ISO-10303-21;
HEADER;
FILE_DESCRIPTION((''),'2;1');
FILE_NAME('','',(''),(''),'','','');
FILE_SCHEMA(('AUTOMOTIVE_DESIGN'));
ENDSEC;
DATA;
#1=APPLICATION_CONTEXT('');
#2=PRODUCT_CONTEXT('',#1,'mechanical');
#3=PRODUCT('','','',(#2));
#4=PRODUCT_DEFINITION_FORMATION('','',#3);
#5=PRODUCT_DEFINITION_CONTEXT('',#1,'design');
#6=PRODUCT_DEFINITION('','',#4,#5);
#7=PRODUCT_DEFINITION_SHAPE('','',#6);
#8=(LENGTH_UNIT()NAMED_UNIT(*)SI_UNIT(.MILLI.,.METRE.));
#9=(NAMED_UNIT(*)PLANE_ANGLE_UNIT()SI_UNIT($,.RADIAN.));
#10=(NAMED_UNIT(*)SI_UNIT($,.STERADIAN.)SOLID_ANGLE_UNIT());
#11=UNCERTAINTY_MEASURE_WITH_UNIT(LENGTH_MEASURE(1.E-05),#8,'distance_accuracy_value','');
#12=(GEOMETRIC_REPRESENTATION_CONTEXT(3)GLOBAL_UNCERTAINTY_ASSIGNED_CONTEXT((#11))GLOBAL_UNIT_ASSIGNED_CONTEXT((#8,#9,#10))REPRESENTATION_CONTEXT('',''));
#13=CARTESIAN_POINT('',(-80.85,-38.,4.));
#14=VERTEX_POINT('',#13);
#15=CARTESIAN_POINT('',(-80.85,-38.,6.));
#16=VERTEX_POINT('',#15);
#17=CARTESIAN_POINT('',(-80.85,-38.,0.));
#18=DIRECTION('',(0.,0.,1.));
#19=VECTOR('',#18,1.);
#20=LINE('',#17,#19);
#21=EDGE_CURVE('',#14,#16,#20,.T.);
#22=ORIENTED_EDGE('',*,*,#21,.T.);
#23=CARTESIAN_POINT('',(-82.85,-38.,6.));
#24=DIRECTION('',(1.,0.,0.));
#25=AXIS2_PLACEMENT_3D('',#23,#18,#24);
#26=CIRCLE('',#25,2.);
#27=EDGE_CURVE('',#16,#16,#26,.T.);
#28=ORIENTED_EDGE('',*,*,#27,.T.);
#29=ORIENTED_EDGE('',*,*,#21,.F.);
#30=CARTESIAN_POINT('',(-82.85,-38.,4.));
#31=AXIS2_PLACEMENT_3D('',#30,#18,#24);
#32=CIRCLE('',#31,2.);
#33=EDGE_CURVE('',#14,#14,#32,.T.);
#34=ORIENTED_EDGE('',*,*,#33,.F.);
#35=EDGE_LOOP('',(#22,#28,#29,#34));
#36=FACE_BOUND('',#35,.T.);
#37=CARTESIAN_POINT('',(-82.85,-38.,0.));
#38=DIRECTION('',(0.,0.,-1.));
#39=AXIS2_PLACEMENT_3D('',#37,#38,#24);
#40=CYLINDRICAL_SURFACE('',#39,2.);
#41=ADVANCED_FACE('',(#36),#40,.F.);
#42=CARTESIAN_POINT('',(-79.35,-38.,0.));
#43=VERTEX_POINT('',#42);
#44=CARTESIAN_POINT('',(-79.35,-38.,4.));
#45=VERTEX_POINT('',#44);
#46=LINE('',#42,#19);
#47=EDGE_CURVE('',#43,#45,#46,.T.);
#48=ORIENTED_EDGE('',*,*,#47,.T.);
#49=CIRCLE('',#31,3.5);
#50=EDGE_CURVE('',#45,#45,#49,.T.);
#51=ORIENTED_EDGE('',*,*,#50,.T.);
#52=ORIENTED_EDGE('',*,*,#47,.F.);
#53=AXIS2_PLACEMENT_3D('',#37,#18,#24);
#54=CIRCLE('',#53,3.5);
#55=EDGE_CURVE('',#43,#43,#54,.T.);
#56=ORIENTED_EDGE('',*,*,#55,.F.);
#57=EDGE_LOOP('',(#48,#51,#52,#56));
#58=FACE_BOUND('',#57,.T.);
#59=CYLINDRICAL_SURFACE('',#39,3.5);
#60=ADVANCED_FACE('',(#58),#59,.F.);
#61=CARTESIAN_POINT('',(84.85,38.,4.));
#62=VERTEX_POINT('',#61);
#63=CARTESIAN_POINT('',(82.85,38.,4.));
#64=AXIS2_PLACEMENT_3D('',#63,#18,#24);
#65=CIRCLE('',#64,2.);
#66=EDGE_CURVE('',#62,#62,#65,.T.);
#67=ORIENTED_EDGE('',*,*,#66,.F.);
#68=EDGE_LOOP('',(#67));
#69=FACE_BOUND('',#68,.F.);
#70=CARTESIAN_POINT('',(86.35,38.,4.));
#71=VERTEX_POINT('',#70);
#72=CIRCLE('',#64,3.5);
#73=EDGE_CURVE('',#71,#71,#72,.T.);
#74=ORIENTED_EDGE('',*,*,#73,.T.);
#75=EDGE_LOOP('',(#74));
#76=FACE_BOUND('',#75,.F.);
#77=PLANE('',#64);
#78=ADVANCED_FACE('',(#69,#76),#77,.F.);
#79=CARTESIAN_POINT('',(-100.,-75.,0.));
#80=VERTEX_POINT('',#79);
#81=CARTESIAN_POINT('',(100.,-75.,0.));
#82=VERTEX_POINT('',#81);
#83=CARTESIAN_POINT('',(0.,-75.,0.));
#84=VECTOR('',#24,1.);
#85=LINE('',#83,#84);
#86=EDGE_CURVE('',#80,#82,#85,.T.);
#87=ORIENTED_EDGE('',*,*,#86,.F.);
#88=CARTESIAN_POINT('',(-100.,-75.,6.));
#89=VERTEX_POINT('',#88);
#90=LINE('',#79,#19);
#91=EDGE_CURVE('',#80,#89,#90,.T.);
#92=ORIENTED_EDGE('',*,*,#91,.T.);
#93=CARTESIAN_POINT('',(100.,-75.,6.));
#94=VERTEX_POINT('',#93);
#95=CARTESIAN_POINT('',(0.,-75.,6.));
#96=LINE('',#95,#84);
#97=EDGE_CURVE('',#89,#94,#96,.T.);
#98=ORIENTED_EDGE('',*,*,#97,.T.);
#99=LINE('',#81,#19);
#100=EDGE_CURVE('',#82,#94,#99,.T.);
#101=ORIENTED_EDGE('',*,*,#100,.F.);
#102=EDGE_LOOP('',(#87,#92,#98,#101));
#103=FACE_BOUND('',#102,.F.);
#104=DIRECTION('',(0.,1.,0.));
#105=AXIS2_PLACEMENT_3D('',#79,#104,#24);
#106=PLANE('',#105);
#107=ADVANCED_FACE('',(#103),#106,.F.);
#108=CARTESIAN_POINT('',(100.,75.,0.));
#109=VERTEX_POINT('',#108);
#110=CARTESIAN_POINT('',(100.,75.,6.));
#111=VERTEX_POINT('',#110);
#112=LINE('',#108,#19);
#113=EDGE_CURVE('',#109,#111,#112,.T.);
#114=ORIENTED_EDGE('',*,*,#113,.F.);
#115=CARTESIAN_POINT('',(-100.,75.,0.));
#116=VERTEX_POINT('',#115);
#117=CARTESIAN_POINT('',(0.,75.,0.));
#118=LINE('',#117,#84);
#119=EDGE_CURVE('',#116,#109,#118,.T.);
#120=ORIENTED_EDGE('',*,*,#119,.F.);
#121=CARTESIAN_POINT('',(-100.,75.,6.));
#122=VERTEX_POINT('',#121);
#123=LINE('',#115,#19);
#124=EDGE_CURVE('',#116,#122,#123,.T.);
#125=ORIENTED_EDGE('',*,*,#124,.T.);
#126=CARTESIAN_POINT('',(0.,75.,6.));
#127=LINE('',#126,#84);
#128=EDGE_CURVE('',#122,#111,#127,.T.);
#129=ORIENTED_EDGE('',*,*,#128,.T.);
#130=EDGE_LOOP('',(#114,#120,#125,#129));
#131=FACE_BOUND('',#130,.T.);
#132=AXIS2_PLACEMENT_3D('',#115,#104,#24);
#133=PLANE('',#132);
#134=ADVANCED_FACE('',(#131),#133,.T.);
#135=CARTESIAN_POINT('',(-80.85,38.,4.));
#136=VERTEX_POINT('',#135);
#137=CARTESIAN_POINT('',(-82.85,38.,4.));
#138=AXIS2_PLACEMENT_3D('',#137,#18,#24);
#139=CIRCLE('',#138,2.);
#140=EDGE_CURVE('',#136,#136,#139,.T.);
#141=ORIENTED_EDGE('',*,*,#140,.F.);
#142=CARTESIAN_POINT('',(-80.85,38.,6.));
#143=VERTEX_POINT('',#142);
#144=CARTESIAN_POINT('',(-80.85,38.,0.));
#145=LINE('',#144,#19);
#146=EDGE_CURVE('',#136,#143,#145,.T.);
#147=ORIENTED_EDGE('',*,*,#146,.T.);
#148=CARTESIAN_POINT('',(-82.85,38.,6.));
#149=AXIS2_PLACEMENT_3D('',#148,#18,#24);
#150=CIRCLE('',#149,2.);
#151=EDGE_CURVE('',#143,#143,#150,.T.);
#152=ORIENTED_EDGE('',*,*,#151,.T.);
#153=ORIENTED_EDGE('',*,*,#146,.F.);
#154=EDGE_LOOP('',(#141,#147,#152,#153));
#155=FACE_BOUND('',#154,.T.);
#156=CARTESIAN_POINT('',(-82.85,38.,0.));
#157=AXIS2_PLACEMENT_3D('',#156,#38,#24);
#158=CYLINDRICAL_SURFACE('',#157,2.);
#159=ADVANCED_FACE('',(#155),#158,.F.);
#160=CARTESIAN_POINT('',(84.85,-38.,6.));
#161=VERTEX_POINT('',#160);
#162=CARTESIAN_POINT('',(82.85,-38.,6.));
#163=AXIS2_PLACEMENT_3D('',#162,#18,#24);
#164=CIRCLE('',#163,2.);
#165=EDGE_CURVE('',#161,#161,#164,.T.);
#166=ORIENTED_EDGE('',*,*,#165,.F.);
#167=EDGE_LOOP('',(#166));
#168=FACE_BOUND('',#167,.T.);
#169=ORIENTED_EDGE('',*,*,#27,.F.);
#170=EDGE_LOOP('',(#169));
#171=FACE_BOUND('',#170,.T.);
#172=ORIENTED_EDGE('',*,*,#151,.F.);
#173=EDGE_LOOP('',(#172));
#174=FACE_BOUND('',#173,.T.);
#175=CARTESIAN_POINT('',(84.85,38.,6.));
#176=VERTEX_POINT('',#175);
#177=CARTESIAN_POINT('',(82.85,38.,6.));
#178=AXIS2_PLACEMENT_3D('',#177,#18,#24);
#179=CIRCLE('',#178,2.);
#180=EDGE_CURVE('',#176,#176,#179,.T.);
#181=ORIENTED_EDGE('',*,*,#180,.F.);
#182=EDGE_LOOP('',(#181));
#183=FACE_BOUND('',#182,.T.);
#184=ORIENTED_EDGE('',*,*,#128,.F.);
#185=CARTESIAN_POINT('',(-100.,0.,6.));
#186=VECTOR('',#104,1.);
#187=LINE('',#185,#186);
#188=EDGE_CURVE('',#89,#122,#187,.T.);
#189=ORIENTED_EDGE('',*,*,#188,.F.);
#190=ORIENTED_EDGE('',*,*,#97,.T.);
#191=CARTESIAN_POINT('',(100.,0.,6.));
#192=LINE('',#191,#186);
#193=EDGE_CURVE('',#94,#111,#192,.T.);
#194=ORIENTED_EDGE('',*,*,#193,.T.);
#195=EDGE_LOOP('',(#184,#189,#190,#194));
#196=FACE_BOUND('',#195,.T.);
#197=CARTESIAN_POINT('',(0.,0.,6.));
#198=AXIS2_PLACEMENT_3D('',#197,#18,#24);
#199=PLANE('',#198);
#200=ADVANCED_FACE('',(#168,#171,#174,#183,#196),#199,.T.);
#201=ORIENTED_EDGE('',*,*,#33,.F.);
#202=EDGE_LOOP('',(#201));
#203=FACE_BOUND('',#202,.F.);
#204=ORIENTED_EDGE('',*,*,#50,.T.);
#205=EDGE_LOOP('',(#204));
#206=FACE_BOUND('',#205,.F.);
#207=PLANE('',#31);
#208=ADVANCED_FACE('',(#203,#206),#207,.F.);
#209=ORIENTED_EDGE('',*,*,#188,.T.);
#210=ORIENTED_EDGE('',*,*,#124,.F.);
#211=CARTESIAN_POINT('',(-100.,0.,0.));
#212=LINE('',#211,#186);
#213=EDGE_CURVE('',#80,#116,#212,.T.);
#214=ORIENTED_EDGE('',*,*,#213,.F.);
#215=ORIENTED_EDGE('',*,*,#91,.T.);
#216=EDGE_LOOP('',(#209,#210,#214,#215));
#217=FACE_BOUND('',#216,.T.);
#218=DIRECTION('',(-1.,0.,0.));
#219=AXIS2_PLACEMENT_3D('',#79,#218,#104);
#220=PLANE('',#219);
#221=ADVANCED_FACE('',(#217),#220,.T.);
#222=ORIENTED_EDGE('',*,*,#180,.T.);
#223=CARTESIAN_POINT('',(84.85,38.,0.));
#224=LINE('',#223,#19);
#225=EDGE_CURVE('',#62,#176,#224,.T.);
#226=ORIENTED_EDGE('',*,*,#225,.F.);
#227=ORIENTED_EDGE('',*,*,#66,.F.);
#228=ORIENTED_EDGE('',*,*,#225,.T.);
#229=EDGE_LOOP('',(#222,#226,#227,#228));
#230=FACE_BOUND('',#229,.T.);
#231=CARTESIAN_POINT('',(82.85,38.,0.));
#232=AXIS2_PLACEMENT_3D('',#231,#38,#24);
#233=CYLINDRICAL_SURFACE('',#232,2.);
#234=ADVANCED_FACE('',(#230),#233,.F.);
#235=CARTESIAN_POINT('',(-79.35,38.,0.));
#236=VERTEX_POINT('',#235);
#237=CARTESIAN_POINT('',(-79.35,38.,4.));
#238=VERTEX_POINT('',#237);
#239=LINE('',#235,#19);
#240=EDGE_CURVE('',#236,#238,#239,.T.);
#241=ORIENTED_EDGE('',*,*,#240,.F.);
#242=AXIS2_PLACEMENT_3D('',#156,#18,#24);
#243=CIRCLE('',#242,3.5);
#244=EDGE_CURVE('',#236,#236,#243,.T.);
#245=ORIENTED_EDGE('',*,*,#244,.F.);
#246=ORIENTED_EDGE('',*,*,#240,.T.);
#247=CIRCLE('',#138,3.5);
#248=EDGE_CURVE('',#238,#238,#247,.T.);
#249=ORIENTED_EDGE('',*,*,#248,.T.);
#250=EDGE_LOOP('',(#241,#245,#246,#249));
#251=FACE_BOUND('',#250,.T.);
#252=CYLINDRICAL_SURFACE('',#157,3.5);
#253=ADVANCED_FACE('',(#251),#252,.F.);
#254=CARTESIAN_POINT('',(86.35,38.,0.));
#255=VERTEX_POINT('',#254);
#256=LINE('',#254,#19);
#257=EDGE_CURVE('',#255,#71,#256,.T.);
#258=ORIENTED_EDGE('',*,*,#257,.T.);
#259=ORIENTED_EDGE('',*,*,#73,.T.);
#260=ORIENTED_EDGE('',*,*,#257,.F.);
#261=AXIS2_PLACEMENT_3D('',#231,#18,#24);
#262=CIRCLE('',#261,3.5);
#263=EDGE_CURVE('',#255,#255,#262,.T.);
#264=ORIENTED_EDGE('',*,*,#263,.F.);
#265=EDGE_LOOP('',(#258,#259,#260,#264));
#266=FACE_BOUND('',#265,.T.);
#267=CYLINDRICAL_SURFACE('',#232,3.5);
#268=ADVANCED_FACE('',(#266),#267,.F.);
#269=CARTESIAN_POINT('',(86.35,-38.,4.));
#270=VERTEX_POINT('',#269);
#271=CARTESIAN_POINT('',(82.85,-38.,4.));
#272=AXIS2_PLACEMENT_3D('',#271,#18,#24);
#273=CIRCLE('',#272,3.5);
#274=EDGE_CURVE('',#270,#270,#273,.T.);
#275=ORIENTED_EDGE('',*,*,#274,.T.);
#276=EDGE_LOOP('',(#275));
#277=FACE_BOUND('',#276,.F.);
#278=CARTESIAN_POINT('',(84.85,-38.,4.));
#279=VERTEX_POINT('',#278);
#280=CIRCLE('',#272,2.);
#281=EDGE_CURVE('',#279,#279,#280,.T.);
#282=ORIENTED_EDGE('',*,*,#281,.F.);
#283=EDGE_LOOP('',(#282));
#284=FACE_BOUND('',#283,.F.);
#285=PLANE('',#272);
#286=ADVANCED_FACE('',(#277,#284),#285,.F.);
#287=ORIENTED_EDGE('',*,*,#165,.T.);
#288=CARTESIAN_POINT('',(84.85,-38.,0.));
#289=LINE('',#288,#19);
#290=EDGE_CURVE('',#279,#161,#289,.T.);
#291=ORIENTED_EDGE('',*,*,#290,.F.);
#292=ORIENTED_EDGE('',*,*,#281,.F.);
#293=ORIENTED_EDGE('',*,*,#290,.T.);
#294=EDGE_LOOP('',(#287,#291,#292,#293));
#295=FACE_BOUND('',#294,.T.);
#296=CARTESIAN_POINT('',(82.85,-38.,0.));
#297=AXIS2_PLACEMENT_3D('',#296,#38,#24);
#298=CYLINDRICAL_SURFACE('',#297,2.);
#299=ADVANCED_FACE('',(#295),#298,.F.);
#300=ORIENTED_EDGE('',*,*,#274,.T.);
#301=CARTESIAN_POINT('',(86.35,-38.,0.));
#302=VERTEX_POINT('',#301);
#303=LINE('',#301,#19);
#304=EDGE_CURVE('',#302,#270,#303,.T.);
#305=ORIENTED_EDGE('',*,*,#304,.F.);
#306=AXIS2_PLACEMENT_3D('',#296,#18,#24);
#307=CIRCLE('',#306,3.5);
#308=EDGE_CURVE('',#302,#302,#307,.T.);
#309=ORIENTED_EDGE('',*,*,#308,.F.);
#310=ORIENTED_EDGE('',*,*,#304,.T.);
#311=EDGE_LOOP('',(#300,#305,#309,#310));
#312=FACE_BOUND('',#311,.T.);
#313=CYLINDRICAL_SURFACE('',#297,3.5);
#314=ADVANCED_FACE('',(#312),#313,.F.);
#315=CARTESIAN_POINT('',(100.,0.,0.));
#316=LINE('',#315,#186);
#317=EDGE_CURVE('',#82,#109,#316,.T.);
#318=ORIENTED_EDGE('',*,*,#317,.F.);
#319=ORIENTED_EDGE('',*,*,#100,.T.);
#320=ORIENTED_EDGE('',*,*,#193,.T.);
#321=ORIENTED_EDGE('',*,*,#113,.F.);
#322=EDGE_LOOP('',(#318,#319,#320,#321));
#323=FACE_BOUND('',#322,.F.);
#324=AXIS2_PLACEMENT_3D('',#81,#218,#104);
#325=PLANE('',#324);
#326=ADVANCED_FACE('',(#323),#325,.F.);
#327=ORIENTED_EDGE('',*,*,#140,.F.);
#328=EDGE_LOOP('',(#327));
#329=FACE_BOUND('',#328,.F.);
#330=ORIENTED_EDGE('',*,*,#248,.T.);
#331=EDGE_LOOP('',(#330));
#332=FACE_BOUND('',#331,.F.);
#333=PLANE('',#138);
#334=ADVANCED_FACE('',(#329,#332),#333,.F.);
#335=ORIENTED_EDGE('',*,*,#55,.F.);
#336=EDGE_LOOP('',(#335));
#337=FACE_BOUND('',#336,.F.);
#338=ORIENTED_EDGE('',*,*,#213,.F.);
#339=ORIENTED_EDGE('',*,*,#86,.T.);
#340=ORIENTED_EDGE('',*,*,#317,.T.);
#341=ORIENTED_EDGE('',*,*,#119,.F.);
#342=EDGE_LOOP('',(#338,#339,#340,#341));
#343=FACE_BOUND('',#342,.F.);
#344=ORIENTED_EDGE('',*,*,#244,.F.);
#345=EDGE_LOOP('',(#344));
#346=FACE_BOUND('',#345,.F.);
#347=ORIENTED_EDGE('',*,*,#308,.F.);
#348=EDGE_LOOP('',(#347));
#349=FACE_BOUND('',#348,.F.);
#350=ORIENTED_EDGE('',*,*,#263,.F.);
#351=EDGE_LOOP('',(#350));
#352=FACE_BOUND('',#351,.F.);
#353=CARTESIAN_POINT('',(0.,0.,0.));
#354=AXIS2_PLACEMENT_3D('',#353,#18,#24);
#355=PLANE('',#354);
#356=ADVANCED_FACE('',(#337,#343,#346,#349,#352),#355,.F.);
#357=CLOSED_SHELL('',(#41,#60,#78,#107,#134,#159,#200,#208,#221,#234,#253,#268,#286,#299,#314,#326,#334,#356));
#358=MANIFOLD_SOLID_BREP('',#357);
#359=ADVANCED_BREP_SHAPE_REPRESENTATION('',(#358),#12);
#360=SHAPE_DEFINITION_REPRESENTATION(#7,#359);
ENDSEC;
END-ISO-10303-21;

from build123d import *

# Parameters (mm, degrees)
F0_W     = 200
F0_H     = 150
F0_R     = 3.5
F0_R_2   = 2
F1_DEPTH = 6
F2_DEPTH = 4


with BuildPart() as f1:
    # F0 (on Top) → F1 (new body)
    with BuildSketch(Plane.XY):
        Rectangle(F0_W, F0_H)
        with Locations((-82.85, -38)):
            Circle(F0_R, mode=Mode.SUBTRACT)
        with Locations((82.85, -38)):
            Circle(F0_R, mode=Mode.SUBTRACT)
        with Locations((-82.85, 38)):
            Circle(F0_R, mode=Mode.SUBTRACT)
        with Locations((82.85, 38)):
            Circle(F0_R, mode=Mode.SUBTRACT)
        with Locations((-82.85, 38)):
            Circle(F0_R)
        with Locations((-82.85, 38)):
            Circle(F0_R_2, mode=Mode.SUBTRACT)
        with Locations((82.85, -38)):
            Circle(F0_R)
        with Locations((82.85, -38)):
            Circle(F0_R_2, mode=Mode.SUBTRACT)
        with Locations((82.85, 38)):
            Circle(F0_R)
        with Locations((82.85, 38)):
            Circle(F0_R_2, mode=Mode.SUBTRACT)
        with Locations((-82.85, -38)):
            Circle(F0_R)
        with Locations((-82.85, -38)):
            Circle(F0_R_2, mode=Mode.SUBTRACT)
    extrude(amount=F1_DEPTH)

    # F0 (on Top) → F2 (cut)
    with BuildSketch(Plane.XY):
        with Locations((-82.85, 38)):
            Circle(F0_R)
        with Locations((-82.85, 38)):
            Circle(F0_R_2, mode=Mode.SUBTRACT)
        with Locations((82.85, 38)):
            Circle(F0_R)
        with Locations((82.85, 38)):
            Circle(F0_R_2, mode=Mode.SUBTRACT)
        with Locations((82.85, -38)):
            Circle(F0_R)
        with Locations((82.85, -38)):
            Circle(F0_R_2, mode=Mode.SUBTRACT)
        with Locations((-82.85, -38)):
            Circle(F0_R)
        with Locations((-82.85, -38)):
            Circle(F0_R_2, mode=Mode.SUBTRACT)
    extrude(amount=F2_DEPTH, mode=Mode.SUBTRACT)


solid = f1.part
